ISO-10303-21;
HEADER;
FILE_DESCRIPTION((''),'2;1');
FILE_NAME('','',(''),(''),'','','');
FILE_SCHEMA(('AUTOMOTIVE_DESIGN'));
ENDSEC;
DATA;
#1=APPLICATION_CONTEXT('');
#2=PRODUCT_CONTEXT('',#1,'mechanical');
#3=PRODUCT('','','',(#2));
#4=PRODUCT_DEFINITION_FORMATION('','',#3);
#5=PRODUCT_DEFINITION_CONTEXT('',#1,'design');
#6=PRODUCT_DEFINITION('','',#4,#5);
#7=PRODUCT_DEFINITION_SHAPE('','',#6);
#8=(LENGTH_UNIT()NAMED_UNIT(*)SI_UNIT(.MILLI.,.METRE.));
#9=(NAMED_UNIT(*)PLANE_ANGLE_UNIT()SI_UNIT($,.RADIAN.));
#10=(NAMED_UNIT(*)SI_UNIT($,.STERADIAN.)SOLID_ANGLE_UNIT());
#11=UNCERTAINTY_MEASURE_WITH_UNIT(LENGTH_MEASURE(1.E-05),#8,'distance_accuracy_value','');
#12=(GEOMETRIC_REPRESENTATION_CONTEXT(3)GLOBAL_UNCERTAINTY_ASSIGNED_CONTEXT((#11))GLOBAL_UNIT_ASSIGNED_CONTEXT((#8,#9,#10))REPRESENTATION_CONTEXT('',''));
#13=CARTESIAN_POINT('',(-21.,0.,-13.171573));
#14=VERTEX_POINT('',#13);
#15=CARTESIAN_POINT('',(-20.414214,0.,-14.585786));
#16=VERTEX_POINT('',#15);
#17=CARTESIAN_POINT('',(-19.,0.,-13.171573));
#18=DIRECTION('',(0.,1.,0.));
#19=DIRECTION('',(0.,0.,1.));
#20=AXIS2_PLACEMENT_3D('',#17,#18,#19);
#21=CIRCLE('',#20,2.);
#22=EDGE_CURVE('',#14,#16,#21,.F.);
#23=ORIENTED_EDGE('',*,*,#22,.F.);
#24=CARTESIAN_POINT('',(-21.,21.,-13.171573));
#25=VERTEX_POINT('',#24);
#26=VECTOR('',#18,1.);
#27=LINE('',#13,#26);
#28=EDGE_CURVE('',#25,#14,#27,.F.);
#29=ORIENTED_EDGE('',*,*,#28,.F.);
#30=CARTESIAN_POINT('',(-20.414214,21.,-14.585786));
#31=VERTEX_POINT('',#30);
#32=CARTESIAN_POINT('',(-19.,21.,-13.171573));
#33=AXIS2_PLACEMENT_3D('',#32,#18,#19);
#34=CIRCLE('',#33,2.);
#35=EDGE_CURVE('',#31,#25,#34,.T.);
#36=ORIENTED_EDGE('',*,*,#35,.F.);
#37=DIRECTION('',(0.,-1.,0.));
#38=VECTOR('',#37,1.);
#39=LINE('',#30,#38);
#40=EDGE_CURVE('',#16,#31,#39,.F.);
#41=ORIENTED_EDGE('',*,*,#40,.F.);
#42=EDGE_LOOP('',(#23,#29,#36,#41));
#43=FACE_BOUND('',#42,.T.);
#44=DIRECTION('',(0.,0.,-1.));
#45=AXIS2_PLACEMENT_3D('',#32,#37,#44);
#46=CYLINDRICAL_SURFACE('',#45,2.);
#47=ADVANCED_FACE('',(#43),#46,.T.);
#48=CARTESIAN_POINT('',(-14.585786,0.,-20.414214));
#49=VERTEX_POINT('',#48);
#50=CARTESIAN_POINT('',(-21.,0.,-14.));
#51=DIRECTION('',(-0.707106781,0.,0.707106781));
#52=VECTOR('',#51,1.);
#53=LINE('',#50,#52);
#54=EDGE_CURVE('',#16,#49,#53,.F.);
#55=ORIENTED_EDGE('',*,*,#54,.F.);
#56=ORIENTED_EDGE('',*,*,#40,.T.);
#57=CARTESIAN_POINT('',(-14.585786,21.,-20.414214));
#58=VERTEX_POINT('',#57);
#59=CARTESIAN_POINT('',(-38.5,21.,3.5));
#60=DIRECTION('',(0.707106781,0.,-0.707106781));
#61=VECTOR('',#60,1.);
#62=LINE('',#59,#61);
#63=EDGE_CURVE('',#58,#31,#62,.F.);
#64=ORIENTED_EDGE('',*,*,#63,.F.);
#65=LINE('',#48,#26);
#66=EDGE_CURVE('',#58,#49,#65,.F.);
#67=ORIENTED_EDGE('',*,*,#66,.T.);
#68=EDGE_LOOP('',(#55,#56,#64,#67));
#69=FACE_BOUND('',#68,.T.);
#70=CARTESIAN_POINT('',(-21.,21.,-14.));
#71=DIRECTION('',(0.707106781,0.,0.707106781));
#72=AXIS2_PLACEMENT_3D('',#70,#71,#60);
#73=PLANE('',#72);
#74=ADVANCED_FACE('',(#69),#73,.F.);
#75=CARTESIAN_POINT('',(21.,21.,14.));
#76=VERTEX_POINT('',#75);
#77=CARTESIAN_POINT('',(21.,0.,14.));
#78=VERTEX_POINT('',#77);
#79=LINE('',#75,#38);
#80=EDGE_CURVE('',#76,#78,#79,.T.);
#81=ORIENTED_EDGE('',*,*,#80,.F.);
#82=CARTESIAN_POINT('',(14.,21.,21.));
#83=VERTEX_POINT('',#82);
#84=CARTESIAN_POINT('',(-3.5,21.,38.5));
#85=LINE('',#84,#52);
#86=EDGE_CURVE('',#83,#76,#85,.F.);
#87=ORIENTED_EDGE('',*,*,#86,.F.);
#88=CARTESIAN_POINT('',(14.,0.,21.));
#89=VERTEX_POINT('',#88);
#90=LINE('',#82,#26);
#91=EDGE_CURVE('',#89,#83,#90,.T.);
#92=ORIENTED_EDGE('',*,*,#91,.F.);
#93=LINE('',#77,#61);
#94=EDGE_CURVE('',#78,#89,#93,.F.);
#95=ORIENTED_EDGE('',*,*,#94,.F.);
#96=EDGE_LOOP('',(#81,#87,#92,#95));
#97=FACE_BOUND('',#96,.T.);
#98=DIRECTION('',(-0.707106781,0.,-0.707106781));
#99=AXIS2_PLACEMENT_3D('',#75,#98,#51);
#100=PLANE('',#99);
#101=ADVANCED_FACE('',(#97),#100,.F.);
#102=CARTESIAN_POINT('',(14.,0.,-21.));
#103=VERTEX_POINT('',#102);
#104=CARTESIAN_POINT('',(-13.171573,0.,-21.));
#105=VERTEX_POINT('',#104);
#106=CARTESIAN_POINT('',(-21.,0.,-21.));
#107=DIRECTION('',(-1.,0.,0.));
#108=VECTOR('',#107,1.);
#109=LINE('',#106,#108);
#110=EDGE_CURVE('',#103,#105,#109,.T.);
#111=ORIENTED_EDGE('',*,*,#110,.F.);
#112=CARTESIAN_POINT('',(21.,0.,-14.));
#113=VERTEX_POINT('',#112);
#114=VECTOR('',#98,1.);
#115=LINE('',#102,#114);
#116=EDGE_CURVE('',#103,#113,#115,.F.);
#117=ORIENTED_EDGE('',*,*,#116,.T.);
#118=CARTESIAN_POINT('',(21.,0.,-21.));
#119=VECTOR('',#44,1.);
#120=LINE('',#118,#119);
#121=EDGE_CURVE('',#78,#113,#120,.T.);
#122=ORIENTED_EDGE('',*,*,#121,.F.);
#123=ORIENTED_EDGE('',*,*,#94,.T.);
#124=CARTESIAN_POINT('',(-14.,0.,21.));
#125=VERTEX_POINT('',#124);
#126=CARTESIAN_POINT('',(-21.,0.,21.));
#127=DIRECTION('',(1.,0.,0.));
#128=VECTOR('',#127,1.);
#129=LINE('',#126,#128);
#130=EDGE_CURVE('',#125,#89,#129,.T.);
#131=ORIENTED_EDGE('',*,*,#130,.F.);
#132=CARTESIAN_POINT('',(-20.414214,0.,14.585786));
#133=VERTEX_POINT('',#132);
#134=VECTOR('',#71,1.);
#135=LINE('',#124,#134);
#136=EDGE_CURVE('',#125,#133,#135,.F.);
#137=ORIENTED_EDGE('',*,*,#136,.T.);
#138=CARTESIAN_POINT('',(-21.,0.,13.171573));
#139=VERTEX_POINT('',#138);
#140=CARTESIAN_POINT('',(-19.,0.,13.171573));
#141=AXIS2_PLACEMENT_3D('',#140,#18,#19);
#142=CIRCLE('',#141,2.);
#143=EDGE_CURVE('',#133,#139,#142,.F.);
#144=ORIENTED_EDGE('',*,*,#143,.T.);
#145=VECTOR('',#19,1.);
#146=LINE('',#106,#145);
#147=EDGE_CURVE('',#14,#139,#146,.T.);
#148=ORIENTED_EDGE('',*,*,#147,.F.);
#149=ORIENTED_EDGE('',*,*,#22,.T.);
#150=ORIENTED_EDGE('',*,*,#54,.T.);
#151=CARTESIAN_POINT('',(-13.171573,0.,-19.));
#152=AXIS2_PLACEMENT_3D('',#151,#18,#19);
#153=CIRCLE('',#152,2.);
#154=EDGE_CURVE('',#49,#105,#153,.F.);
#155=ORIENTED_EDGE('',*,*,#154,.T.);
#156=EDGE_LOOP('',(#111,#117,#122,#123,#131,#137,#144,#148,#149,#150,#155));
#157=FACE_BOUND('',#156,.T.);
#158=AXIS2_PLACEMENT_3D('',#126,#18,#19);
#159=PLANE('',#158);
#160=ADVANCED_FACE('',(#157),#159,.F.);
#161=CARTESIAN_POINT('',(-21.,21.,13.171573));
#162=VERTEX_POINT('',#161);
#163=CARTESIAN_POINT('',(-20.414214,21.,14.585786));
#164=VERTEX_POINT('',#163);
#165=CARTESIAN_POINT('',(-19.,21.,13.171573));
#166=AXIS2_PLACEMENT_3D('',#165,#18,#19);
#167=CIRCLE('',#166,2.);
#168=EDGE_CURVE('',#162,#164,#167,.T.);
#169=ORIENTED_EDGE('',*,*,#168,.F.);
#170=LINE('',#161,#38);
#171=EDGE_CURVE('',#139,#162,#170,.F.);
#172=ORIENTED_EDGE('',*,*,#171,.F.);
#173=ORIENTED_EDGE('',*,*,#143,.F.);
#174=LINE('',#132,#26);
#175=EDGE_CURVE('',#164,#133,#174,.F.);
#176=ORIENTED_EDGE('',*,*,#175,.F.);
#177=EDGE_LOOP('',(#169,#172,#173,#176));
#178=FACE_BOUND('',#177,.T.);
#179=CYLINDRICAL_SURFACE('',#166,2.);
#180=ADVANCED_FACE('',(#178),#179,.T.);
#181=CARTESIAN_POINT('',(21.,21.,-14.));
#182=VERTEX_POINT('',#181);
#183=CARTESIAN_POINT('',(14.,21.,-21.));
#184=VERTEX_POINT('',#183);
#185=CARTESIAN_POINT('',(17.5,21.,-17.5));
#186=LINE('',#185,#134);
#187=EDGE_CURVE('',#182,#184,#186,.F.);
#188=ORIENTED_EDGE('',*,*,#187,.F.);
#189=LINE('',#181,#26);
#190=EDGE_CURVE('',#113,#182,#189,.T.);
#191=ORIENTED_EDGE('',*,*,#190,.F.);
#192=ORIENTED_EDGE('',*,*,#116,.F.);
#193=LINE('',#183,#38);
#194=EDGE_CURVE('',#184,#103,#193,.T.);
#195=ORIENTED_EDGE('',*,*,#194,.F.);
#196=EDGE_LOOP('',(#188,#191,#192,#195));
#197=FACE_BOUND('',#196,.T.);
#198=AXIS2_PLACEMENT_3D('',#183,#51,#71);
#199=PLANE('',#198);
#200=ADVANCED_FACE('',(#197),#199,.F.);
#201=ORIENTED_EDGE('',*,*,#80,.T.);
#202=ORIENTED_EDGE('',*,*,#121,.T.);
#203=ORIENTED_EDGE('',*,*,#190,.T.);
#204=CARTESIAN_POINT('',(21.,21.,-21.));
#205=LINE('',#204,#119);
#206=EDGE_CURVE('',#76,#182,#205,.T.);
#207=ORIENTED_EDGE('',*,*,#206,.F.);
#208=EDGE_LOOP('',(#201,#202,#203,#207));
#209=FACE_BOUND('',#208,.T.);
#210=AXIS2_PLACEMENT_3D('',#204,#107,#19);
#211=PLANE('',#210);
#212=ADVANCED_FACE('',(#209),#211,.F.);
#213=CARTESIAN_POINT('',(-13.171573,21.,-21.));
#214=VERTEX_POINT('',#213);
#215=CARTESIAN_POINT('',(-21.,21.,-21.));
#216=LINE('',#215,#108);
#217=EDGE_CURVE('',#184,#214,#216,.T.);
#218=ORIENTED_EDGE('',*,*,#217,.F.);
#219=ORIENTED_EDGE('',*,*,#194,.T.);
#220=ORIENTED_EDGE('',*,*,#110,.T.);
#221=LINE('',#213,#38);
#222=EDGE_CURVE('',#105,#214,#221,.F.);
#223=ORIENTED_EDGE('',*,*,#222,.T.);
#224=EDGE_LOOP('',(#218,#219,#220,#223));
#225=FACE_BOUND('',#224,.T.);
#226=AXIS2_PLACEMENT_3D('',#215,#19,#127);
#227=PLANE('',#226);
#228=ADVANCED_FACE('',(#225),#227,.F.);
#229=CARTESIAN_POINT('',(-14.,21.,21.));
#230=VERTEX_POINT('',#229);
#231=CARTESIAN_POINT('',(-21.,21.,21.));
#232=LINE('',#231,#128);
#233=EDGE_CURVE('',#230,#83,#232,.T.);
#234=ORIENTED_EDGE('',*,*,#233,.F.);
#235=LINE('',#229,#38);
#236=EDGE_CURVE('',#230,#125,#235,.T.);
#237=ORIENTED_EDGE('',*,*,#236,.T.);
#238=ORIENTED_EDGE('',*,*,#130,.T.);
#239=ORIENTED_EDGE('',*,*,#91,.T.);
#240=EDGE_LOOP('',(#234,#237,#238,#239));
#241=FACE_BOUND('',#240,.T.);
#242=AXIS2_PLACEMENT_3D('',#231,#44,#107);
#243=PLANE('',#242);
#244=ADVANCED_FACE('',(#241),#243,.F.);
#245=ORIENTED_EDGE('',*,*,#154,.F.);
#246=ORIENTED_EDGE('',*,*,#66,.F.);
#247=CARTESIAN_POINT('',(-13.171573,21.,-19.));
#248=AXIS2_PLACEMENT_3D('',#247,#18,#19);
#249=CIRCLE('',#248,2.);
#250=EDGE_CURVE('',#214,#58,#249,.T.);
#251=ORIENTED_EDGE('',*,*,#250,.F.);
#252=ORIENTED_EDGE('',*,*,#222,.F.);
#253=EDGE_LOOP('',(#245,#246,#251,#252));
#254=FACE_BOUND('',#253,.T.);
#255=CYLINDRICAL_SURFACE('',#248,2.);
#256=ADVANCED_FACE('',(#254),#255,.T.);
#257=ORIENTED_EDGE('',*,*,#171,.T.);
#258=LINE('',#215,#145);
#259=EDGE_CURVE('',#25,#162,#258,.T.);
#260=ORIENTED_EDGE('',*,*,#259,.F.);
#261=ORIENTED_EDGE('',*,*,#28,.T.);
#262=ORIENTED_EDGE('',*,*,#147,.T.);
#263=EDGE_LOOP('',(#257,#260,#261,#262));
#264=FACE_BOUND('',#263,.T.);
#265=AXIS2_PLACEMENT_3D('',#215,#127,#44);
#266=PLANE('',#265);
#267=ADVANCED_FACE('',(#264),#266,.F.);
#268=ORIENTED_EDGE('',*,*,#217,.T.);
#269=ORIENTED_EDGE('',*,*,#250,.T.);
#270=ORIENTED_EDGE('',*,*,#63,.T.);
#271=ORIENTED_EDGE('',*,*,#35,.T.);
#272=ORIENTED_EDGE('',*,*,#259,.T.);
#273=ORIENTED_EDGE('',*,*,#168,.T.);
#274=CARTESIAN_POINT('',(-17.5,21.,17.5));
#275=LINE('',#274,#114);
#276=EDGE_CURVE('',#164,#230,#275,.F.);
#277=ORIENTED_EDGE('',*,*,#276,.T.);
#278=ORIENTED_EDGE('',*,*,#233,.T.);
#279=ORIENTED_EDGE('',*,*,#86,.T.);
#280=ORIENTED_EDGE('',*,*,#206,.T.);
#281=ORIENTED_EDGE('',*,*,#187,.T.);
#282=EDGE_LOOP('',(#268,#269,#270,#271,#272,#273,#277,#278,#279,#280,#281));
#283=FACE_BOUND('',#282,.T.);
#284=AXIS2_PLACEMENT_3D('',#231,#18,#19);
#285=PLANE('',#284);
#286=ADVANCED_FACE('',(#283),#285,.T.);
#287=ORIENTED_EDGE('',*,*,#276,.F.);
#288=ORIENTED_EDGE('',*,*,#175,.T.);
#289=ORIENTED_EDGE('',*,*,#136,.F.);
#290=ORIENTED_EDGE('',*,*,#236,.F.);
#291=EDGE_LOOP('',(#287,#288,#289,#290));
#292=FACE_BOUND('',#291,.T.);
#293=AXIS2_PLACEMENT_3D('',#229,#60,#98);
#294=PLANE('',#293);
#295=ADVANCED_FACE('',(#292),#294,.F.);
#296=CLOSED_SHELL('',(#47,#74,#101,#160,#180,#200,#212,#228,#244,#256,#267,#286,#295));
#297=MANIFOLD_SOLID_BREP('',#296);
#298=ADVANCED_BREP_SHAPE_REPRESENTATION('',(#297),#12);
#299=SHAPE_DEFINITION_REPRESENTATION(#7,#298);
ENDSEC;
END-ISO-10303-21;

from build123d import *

# Parameters (mm, degrees)
SKETCH1_W           = 42
SKETCH1_H           = 42
BOSS_EXTRUDE1_DEPTH = 21
CHAMFER1_SIZE       = 7
FILLET1_R           = 2


with BuildPart() as part:
    # Sketch1 → Boss-Extrude1 (new body)
    with BuildSketch(Plane(origin=(0, 0, 0), x_dir=(1, 0, 0), z_dir=(0, 1, 0))):
        Rectangle(SKETCH1_W, SKETCH1_H)
    extrude(amount=BOSS_EXTRUDE1_DEPTH)

    # Chamfer1
    chamfer1_edges = [part.edges().sort_by_distance(p)[0] for p in [
        (-21, 10.5, -21),
        (21, 10.5, -21),
        (21, 10.5, 21),
        (-21, 10.5, 21),
    ]]
    chamfer(chamfer1_edges, length=CHAMFER1_SIZE)

    # Fillet1
    fillet1_edges = [part.edges().sort_by_distance(p)[0] for p in [
        (-21, 10.5, 14),
        (-21, 10.5, -14),
        (-14, 10.5, -21),
    ]]
    fillet(fillet1_edges, radius=FILLET1_R)


solid = part.part
